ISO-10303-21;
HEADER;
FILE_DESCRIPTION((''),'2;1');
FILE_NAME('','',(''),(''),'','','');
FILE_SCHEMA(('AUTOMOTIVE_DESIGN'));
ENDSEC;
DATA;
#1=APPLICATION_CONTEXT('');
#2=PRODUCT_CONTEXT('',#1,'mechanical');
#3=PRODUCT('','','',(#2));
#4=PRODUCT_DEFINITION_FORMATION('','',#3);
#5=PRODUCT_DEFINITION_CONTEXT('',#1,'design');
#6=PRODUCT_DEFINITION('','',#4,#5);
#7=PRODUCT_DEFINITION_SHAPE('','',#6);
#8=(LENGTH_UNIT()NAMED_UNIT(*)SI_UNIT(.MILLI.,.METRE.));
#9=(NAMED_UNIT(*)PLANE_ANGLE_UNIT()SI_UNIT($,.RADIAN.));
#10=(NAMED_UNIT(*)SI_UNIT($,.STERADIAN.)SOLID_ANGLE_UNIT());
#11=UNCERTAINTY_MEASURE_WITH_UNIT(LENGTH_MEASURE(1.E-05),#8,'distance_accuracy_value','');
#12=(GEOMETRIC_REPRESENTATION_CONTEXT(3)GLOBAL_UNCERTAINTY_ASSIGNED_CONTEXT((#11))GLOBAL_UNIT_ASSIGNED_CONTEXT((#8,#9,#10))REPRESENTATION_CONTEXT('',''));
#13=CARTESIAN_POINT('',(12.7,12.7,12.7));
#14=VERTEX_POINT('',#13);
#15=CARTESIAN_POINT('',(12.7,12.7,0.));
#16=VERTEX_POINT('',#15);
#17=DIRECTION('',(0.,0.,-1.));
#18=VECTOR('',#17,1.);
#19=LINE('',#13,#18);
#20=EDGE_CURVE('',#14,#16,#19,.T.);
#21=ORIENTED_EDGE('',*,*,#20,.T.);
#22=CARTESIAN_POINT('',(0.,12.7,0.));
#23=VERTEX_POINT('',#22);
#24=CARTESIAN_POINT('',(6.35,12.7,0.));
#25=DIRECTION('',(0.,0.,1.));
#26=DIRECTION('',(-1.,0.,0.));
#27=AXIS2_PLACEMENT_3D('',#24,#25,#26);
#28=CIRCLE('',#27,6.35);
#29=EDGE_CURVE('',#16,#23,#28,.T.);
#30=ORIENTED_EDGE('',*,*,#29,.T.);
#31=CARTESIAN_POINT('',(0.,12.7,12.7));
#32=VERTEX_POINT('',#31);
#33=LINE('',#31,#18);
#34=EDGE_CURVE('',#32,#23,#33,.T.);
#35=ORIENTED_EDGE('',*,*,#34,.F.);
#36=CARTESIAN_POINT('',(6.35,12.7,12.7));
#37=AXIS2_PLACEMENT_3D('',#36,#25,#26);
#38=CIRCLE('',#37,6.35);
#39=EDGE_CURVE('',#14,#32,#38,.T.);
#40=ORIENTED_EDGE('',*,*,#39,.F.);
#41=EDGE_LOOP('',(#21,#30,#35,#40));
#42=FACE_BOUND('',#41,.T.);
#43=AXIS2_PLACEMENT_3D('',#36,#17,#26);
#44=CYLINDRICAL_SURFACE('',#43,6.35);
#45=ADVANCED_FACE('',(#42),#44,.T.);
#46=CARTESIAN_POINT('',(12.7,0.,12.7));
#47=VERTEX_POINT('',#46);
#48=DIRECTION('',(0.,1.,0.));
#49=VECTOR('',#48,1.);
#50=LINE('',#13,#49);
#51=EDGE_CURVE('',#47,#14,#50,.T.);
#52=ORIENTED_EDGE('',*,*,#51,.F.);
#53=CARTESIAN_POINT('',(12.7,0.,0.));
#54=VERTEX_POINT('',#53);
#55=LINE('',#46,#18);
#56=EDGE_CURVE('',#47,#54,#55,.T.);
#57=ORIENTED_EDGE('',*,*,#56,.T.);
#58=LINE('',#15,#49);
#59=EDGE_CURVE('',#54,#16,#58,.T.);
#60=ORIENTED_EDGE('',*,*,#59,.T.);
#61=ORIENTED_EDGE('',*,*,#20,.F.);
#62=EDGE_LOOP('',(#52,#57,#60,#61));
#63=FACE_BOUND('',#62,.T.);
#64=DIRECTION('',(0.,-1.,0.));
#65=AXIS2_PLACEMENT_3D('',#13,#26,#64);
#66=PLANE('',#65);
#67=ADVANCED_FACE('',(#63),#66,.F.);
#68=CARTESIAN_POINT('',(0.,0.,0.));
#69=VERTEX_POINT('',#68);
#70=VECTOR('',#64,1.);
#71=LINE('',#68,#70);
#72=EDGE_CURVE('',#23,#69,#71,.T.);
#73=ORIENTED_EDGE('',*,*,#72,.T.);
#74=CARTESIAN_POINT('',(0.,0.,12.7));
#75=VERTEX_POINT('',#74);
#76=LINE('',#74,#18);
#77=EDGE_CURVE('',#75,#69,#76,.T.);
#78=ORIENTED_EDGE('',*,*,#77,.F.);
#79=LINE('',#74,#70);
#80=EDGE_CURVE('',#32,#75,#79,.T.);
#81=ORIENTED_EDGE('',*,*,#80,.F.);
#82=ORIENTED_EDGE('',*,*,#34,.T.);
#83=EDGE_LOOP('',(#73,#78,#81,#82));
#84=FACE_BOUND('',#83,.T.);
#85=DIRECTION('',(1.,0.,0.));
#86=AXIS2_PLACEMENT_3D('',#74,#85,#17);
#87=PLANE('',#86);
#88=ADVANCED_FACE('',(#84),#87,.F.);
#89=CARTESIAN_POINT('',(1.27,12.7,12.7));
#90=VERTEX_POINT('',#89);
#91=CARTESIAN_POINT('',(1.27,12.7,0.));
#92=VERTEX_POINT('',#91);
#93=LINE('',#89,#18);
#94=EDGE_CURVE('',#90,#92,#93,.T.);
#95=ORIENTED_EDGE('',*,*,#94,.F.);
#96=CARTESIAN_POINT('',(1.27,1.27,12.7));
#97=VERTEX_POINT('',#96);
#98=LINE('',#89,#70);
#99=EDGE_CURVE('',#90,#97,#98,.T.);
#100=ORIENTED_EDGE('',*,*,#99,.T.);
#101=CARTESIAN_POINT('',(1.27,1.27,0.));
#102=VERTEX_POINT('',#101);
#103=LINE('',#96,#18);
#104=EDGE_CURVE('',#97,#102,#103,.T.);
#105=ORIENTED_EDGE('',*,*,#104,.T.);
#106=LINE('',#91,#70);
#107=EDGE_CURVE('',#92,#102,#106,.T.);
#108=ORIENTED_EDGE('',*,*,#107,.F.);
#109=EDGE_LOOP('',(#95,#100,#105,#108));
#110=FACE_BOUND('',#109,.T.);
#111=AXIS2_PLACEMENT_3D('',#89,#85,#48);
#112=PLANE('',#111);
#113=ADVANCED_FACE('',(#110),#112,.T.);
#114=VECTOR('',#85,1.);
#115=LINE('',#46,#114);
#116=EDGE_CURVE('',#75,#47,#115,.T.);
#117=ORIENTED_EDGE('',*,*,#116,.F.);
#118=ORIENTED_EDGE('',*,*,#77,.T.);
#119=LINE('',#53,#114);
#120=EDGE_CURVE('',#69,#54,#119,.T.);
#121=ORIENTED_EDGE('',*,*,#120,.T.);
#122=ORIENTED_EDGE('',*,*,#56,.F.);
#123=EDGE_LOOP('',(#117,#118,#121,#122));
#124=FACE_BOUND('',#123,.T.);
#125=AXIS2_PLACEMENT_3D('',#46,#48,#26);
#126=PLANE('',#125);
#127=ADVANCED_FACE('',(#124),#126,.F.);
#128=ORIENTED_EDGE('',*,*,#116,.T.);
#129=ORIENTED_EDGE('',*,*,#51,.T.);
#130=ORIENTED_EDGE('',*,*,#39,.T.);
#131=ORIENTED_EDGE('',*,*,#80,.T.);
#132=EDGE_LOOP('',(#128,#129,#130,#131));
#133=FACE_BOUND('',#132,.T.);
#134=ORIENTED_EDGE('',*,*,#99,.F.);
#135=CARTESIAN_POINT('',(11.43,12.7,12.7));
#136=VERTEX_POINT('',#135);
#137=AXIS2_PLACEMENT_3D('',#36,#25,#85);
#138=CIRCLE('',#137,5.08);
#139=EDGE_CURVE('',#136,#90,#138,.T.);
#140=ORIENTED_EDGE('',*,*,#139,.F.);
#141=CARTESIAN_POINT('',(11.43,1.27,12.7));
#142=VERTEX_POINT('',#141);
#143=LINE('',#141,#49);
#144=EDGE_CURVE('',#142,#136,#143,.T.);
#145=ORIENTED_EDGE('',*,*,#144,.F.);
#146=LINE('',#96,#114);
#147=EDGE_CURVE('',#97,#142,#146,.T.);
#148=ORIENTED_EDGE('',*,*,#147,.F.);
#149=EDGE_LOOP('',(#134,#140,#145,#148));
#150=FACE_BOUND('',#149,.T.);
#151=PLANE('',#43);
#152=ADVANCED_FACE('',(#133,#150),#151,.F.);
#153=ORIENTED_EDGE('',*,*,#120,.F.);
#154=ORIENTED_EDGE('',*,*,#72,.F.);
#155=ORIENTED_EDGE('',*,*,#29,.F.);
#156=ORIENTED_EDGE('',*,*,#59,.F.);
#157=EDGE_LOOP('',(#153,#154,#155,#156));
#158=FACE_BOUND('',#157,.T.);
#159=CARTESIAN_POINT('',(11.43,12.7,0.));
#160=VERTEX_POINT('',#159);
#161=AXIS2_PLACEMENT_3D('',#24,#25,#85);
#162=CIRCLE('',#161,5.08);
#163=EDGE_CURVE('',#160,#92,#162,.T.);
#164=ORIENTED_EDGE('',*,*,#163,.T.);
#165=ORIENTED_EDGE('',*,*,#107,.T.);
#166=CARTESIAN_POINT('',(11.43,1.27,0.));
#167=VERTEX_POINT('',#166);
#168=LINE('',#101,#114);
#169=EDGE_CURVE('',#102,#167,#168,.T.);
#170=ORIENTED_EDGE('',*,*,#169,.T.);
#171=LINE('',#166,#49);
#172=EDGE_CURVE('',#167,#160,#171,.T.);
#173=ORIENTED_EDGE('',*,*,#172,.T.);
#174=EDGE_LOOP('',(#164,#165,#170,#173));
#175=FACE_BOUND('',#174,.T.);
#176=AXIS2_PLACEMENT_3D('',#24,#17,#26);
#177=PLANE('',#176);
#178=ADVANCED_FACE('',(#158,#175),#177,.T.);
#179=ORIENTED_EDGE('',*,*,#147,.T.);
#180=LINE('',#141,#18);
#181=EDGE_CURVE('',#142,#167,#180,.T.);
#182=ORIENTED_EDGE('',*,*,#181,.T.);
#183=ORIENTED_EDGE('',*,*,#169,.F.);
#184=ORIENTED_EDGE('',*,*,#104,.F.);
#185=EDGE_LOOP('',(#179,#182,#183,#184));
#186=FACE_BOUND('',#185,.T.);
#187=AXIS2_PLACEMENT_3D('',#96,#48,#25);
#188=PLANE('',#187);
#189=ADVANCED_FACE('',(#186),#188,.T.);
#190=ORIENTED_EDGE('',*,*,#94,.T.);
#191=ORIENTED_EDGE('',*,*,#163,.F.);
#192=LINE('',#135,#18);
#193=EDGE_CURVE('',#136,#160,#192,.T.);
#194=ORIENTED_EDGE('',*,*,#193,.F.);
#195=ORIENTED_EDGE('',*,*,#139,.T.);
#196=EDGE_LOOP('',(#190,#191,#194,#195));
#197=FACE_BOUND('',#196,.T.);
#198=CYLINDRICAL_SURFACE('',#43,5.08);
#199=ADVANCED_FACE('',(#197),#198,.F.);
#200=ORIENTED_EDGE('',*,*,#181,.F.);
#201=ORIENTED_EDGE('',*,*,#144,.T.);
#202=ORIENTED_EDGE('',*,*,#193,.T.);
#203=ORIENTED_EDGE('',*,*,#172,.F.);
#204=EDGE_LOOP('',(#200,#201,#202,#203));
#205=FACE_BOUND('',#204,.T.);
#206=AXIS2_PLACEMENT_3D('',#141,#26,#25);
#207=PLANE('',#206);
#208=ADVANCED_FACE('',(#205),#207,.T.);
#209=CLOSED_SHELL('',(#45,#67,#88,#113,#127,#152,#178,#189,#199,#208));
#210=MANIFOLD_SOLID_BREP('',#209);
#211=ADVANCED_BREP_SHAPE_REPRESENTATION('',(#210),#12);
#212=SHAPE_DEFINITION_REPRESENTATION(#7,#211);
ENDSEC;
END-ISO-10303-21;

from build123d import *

# Parameters (mm, degrees)
BOSS_EXTRUDE1_DEPTH = 12.7


with BuildPart() as part:
    # Sketch1 → Boss-Extrude1 (new body)
    with BuildSketch(Plane.XY):
        with BuildLine():
            Line((0, 0), (0, 12.7))
            ThreePointArc((0, 12.7), (6.35, 19.05), (12.7, 12.7))
            Line((12.7, 12.7), (12.7, 0))
            Line((12.7, 0), (0, 0))
        make_face()
        with BuildLine():
            Line((1.27, 1.27), (11.43, 1.27))
            Line((11.43, 1.27), (11.43, 12.7))
            ThreePointArc((11.43, 12.7), (6.35, 17.78), (1.27, 12.7))
            Line((1.27, 12.7), (1.27, 1.27))
        make_face(mode=Mode.SUBTRACT)
    extrude(amount=BOSS_EXTRUDE1_DEPTH)


solid = part.part
